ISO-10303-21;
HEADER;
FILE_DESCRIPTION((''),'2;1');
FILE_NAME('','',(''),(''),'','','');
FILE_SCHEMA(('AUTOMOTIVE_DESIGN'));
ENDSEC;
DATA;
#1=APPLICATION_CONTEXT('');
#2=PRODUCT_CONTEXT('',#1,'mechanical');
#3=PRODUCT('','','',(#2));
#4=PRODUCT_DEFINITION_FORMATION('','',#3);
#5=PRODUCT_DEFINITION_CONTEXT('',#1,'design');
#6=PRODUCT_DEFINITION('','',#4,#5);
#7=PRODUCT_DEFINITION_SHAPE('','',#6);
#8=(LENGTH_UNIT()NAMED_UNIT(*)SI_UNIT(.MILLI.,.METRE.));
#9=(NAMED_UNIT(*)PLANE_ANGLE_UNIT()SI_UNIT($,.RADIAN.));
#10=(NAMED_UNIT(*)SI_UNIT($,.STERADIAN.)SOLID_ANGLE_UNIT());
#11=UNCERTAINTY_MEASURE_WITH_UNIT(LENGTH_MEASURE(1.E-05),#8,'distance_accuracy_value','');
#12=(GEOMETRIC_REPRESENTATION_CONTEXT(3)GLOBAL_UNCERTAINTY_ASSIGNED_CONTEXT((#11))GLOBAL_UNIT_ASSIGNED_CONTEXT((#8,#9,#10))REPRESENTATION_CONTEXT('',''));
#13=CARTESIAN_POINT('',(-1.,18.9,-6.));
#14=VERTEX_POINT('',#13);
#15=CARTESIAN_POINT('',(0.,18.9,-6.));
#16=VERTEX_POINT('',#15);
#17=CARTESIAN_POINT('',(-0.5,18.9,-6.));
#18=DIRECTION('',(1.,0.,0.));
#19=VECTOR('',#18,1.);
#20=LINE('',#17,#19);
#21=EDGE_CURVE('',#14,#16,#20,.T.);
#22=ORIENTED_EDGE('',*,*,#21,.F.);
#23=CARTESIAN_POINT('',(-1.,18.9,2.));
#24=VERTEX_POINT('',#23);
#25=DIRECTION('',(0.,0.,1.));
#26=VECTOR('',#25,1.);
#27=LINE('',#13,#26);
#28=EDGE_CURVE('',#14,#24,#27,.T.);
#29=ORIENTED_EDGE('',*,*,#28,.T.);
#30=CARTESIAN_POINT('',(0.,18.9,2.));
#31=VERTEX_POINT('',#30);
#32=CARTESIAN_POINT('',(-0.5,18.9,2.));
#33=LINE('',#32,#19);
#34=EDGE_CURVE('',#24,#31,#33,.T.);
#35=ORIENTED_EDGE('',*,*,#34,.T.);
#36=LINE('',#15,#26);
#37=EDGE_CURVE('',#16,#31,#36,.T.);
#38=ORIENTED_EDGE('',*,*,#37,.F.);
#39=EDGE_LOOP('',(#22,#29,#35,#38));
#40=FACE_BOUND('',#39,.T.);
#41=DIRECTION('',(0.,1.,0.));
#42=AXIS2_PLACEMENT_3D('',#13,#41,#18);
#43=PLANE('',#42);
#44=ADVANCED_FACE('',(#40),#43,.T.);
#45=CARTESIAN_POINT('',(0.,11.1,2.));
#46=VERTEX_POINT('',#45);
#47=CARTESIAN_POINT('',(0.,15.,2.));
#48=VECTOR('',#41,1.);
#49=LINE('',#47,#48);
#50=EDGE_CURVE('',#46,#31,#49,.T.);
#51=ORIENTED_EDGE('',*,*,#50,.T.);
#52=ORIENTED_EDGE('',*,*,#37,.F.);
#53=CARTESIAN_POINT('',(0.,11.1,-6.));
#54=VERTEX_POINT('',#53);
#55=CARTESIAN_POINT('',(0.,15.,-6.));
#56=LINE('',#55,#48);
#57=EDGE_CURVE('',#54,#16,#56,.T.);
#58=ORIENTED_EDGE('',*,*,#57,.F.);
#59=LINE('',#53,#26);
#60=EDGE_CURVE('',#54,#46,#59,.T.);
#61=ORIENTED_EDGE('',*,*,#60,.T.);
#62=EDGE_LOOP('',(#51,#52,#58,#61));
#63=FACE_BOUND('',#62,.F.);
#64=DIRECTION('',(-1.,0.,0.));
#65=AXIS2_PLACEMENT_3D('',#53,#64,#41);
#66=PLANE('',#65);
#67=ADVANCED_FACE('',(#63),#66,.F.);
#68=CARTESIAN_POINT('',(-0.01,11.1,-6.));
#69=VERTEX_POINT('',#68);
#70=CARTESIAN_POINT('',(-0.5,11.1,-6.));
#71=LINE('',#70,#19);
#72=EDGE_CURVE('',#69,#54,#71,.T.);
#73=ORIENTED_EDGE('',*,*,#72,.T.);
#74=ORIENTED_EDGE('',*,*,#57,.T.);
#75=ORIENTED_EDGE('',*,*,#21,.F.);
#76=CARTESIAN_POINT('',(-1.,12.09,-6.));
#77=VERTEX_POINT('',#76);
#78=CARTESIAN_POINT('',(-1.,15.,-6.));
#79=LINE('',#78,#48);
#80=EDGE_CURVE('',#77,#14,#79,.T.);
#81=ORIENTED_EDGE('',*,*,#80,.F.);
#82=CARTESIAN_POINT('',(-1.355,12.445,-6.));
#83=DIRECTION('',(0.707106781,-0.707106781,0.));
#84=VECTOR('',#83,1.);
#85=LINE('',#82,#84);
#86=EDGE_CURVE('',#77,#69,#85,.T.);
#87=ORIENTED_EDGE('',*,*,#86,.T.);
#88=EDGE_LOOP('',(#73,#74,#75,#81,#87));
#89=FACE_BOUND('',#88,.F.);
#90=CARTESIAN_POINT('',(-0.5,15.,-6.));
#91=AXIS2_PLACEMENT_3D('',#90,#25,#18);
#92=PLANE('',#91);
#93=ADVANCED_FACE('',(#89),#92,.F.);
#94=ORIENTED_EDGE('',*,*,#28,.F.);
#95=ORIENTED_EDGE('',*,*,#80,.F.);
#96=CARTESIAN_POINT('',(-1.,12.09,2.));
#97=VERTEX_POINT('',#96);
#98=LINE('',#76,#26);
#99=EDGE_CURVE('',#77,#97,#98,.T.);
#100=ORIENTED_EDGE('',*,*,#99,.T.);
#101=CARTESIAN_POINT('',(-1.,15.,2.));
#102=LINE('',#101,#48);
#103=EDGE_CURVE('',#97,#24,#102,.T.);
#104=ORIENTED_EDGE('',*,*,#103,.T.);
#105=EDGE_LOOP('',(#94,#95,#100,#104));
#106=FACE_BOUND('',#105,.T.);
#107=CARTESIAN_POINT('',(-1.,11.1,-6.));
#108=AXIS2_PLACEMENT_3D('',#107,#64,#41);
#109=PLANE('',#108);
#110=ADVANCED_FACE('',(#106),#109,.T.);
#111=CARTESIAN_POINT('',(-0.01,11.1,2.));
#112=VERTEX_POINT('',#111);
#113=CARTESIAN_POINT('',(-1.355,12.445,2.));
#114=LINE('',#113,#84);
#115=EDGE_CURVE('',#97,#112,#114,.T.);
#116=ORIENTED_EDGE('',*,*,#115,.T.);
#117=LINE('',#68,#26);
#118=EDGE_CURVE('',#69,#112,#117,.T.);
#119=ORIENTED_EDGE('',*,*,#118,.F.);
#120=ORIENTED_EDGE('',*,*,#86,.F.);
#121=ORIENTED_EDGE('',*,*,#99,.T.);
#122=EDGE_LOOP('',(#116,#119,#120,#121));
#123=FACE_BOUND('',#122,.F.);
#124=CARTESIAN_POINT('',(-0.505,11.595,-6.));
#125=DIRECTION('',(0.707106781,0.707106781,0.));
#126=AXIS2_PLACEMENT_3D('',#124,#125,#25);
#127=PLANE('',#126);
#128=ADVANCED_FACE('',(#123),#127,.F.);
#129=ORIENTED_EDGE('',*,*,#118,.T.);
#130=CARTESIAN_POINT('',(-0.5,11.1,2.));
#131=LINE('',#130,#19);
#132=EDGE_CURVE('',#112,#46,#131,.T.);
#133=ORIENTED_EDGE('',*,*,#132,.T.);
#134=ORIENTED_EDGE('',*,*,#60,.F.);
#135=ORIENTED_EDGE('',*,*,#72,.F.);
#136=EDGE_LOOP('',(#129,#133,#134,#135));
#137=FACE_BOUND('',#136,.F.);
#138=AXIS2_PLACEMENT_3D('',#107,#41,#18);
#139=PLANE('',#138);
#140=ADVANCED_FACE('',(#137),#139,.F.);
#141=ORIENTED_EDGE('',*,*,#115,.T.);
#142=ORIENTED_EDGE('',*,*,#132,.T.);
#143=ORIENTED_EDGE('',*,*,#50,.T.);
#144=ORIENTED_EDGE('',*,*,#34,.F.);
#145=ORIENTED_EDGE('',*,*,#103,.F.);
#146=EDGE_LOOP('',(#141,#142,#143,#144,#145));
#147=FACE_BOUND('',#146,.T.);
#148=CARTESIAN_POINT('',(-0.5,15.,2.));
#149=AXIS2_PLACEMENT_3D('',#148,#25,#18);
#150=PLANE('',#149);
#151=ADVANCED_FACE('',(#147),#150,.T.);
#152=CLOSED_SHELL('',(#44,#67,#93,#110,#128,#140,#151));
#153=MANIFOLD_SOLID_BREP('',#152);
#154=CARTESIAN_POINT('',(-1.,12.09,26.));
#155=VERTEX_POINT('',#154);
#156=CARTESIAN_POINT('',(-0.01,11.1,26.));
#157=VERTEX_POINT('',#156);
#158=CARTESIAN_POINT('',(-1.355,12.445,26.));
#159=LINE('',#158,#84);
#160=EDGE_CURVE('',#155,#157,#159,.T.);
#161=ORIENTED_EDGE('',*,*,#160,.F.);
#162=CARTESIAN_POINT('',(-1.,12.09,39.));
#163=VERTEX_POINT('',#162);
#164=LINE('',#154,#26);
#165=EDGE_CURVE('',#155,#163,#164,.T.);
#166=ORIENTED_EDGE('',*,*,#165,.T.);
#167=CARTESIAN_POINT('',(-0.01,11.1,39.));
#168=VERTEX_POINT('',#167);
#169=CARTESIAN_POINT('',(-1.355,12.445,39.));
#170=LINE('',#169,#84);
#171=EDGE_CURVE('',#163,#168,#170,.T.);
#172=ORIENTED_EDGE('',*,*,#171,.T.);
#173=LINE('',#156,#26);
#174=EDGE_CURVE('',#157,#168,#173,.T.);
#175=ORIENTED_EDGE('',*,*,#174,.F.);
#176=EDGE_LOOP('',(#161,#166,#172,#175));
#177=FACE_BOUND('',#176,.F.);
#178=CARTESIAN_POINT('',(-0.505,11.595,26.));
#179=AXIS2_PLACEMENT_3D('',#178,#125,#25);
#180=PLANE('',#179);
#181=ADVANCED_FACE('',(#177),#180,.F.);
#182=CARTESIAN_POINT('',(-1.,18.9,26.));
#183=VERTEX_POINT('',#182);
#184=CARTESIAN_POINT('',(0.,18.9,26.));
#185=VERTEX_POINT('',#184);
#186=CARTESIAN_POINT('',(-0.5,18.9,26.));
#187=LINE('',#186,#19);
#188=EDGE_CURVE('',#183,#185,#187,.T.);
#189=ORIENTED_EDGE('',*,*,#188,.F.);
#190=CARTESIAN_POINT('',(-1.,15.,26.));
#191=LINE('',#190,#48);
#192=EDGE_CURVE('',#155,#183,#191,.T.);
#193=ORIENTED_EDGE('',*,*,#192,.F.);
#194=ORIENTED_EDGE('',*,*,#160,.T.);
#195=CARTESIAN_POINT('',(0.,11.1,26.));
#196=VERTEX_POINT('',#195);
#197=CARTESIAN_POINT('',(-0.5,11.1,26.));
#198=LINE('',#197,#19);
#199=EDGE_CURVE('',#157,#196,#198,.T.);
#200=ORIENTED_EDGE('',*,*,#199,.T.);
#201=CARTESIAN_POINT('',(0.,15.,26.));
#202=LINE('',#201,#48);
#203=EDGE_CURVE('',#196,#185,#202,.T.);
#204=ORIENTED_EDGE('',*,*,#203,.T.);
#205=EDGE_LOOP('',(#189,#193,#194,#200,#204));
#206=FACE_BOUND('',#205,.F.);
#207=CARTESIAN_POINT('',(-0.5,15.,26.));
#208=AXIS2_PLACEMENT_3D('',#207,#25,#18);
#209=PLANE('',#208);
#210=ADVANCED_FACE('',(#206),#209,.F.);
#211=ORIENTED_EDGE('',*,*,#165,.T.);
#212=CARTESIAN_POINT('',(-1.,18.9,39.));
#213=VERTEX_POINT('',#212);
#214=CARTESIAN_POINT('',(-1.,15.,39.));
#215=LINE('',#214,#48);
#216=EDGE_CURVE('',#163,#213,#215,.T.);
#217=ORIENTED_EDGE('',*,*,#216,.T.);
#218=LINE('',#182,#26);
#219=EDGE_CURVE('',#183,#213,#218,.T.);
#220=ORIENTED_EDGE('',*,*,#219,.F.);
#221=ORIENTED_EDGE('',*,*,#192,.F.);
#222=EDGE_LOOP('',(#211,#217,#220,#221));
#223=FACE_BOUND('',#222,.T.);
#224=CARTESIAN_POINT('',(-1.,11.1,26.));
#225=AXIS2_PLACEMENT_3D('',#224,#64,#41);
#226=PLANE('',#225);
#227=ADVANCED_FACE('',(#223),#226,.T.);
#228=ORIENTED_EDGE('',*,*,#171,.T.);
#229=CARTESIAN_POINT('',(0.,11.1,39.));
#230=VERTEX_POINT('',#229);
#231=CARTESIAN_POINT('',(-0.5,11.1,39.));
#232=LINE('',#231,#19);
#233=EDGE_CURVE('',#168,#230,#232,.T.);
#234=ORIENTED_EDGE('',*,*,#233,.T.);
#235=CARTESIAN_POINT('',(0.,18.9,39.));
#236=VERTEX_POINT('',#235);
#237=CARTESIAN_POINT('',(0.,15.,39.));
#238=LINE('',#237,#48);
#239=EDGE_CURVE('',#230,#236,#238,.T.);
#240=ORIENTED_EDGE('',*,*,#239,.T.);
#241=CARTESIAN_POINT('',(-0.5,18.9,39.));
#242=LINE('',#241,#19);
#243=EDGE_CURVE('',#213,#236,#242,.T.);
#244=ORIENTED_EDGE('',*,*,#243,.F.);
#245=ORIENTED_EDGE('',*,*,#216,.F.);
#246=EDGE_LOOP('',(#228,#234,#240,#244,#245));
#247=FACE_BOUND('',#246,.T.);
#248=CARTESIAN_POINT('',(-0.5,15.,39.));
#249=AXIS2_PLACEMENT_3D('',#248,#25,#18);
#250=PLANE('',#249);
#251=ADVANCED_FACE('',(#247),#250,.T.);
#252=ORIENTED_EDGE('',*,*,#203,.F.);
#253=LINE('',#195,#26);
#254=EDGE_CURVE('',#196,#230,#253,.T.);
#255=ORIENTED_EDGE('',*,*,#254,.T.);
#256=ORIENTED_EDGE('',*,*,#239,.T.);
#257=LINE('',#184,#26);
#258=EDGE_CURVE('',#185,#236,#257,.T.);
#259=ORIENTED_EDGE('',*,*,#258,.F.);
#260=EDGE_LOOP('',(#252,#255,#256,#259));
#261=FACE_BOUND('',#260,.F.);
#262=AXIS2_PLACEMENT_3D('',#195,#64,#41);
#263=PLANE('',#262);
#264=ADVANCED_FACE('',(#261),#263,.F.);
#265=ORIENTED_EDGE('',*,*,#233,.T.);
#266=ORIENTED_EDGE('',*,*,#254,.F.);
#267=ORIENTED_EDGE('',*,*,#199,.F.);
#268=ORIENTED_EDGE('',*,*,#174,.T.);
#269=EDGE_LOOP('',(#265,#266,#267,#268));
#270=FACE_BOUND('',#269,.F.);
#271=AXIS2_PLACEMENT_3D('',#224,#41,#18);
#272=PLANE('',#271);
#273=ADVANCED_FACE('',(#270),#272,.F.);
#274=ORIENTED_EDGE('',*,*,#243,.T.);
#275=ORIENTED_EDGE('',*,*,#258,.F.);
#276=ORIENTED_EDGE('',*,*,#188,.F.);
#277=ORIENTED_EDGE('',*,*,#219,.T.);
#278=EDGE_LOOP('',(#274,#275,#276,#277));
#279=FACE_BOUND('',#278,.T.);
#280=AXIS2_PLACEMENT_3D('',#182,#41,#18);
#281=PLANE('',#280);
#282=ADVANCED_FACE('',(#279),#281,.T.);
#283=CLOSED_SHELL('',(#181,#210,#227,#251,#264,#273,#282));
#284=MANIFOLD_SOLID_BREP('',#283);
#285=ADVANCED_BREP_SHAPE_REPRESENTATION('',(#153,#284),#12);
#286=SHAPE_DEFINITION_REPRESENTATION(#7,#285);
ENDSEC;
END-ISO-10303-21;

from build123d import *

# Parameters (mm, degrees)
BOX022_W              = 1
BOX022_H              = 7.8
BOX022_DEPTH          = 13
BOX013_W              = 1
BOX013_H              = 7.8
BOX013_DEPTH          = 8
CHAMFER020026007_SIZE = 0.99


with BuildPart() as cube022:
    # Box022 → Box022 (new body)
    with BuildSketch(Plane(origin=(-1, 11.1, 26), x_dir=(1, 0, 0), z_dir=(0, 0, 1))):
        with Locations((0.5, 3.9)):
            Rectangle(BOX022_W, BOX022_H)
    extrude(amount=BOX022_DEPTH)


with BuildPart() as chamfer020026007:
    # Box013 → Box013 (new body)
    with BuildSketch(Plane(origin=(-1, 11.1, -6), x_dir=(1, 0, 0), z_dir=(0, 0, 1))):
        with Locations((0.5, 3.9)):
            Rectangle(BOX013_W, BOX013_H)
    extrude(amount=BOX013_DEPTH)

    # Fusion: union Cube022
    add(cube022.part)

    # Chamfer020026007
    chamfer020026007_edges = [chamfer020026007.edges().sort_by_distance(p)[0] for p in [
        (-1, 11.1, -2),
        (-1, 11.1, 32.5),
    ]]
    chamfer(chamfer020026007_edges, length=CHAMFER020026007_SIZE)


solid = chamfer020026007.part
